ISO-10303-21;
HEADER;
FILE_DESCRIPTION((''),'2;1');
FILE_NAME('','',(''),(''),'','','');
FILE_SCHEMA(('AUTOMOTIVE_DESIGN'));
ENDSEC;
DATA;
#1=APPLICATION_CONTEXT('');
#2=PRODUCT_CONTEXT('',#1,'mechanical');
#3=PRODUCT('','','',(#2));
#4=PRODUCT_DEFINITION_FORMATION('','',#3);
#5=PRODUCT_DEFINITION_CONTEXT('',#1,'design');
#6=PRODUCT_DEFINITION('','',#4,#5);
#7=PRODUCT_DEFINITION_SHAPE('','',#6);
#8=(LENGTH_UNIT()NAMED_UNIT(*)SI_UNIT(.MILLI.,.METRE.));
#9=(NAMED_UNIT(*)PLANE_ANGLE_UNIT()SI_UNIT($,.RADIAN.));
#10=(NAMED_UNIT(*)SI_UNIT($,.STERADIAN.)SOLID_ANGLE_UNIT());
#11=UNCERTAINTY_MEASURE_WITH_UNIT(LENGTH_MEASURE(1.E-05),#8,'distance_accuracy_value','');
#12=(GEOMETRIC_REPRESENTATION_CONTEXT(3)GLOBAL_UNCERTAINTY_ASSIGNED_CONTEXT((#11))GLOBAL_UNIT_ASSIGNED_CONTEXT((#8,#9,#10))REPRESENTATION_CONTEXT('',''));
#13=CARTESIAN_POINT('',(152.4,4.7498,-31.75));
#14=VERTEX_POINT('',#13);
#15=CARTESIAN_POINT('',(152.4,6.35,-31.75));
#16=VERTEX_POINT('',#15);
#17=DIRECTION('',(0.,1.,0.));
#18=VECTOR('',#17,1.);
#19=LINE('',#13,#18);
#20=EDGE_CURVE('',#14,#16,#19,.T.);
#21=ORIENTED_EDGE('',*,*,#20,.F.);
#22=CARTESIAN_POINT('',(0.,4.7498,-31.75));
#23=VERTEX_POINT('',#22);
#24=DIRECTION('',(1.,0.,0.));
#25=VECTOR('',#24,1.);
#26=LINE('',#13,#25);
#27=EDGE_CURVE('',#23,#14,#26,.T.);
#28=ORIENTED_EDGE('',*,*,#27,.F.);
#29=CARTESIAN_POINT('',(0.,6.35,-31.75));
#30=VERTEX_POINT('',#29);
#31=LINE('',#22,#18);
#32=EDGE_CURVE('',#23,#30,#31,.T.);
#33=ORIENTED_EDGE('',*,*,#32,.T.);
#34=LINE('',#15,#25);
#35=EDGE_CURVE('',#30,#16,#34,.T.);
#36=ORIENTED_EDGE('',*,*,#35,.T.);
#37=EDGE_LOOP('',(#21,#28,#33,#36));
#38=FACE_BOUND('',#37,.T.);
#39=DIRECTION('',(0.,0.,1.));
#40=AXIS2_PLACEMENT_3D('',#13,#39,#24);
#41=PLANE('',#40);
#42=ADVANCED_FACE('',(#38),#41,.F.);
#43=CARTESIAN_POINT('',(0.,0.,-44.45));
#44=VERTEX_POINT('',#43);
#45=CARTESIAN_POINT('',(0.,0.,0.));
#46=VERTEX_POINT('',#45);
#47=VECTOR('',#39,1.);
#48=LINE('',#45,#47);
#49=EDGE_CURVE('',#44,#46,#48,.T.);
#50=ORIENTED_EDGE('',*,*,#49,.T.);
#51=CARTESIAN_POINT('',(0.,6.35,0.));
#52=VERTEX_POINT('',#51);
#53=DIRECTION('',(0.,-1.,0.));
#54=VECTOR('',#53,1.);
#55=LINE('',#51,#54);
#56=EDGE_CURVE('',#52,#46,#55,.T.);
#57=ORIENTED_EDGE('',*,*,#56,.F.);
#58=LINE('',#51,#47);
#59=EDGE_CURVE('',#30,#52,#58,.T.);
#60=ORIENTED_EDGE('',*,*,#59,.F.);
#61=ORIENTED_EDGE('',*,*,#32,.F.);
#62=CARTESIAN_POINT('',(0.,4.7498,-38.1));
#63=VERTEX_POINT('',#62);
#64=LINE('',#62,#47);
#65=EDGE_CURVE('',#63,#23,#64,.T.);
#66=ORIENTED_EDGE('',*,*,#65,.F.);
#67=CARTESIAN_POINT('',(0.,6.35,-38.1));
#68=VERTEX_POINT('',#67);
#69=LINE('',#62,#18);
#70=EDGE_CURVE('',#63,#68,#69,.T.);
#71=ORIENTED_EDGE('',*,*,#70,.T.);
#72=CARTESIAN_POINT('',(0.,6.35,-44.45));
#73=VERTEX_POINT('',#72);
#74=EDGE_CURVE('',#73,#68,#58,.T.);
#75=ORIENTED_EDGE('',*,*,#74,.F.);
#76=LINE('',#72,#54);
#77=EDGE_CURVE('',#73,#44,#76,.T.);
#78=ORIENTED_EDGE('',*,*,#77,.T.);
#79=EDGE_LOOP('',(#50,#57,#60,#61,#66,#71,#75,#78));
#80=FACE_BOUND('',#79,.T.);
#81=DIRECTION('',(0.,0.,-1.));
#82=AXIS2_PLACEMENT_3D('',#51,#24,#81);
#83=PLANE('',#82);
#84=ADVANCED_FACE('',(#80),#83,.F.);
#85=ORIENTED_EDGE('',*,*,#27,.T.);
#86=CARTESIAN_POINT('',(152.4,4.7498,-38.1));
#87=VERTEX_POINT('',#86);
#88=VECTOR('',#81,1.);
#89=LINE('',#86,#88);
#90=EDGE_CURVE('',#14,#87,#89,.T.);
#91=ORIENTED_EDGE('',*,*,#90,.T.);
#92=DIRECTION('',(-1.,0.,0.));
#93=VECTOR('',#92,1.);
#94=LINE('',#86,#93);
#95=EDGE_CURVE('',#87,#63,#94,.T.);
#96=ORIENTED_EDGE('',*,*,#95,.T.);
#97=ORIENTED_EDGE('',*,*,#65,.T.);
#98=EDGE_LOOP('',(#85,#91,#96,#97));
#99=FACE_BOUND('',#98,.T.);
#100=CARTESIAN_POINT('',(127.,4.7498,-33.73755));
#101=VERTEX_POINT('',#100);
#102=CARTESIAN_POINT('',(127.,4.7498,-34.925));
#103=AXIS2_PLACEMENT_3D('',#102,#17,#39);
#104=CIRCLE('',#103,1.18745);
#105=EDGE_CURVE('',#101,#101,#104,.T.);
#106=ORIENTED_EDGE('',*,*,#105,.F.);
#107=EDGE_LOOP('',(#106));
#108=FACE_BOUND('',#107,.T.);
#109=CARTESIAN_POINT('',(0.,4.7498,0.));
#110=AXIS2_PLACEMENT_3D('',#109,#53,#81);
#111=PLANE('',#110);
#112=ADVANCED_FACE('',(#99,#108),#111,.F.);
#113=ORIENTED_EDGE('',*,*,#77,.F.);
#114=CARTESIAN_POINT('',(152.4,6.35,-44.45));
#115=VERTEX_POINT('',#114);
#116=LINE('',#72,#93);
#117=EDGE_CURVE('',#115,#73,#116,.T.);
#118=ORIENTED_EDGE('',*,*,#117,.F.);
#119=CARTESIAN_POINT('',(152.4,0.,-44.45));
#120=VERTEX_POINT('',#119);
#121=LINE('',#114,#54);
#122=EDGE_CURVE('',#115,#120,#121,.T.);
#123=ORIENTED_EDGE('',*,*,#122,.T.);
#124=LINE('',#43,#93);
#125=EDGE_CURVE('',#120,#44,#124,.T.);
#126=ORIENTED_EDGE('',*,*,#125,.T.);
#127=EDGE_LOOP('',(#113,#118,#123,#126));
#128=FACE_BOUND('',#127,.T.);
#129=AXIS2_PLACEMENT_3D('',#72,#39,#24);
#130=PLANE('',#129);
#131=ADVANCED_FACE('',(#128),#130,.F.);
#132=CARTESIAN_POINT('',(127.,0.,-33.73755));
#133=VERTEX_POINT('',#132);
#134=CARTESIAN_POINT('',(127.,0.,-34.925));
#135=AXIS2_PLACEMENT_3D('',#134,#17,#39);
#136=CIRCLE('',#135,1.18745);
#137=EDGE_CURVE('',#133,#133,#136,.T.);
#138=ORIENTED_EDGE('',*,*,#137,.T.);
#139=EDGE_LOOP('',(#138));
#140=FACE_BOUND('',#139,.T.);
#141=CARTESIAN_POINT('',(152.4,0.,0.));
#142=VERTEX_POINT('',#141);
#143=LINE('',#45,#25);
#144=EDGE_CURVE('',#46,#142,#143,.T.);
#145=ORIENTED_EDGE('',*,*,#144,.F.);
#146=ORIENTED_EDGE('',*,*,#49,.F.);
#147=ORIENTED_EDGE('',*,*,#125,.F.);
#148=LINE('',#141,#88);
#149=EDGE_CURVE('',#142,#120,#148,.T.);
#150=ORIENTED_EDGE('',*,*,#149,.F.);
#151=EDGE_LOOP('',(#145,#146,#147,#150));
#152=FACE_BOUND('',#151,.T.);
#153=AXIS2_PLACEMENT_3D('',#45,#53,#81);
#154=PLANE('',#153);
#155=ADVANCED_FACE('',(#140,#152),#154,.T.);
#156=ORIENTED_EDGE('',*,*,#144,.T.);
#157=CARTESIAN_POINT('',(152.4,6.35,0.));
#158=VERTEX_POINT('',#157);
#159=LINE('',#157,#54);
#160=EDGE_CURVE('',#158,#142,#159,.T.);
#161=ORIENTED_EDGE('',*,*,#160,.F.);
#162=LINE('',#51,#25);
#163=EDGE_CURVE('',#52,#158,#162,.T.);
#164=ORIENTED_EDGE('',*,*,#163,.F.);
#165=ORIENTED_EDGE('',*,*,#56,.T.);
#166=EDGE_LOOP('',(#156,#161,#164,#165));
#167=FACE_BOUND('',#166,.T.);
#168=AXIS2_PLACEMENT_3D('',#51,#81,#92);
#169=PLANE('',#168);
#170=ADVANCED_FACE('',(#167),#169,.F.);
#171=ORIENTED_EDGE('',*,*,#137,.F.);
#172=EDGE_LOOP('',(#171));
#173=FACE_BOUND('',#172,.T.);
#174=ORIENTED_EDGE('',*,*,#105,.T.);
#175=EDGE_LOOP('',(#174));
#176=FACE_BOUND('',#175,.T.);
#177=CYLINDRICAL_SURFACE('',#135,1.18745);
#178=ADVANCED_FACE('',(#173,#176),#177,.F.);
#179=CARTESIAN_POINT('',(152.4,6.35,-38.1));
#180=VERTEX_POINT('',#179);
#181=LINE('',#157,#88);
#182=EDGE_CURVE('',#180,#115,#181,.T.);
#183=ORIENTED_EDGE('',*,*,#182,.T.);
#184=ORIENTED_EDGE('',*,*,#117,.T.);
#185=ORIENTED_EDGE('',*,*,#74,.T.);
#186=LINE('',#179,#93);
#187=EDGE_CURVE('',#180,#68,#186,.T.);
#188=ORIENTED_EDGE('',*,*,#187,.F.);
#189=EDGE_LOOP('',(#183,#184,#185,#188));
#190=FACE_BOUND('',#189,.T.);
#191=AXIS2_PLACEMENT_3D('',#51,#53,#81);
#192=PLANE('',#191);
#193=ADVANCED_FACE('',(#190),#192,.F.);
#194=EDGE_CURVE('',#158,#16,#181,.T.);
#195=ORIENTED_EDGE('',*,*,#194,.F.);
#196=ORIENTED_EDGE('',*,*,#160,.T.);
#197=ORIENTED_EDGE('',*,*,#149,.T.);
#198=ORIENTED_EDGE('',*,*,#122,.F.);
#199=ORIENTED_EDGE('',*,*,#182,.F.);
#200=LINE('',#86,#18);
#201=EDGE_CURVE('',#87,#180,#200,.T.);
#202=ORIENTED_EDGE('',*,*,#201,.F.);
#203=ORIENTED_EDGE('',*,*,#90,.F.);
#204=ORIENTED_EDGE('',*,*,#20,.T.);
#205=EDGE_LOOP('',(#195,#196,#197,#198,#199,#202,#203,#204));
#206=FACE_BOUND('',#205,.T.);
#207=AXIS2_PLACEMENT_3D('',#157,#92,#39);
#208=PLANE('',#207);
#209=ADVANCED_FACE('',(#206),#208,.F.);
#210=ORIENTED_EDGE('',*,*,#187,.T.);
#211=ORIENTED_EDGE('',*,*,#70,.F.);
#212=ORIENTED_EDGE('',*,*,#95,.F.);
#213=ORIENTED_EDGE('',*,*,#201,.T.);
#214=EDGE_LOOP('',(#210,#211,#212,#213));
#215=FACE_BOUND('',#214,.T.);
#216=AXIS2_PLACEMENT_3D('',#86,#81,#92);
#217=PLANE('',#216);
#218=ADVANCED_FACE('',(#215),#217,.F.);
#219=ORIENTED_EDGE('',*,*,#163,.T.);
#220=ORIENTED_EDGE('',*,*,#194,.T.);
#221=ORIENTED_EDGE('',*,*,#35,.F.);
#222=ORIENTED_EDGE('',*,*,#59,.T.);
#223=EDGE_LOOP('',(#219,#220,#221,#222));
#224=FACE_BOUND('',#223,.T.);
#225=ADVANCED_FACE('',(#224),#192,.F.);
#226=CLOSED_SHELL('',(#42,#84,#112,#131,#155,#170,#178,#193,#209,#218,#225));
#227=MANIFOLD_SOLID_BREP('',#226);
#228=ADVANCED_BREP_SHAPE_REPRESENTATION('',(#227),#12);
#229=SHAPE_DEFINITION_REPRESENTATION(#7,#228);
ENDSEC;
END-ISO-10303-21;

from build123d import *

# Parameters (mm, degrees)
SKETCH1_W           = 152.4
SKETCH1_H           = 44.45
BOSS_EXTRUDE2_DEPTH = 6.35
SKETCH2_W           = 146.05
SKETCH2_H           = 6.35
CUT_EXTRUDE1_DEPTH  = 1.6002
SKETCH3_R           = 1.18745
CUT_EXTRUDE2_DEPTH  = 5.7498
SKETCH4_W           = 6.35
SKETCH4_H           = 6.35
CUT_EXTRUDE4_DEPTH  = 1.6002


with BuildPart() as part:
    # Sketch1 → Boss-Extrude2 (new body)
    with BuildSketch(Plane(origin=(0, 0, 0), x_dir=(1, 0, 0), z_dir=(0, 1, 0))):
        with Locations((76.2, 22.225)):
            Rectangle(SKETCH1_W, SKETCH1_H)
    extrude(amount=BOSS_EXTRUDE2_DEPTH)

    # Sketch2 → Cut-Extrude1 (cut)
    with BuildSketch(Plane(origin=(0, 6.35, 0), x_dir=(1, 0, 0), z_dir=(0, 1, 0))):
        with Locations((79.375, 34.925)):
            Rectangle(SKETCH2_W, SKETCH2_H)
    extrude(amount=-CUT_EXTRUDE1_DEPTH, mode=Mode.SUBTRACT)

    # Sketch3 → Cut-Extrude2 (cut, through all)
    with BuildSketch(Plane(origin=(0, 4.7498, 0), x_dir=(1, 0, 0), z_dir=(0, 1, 0))):
        with Locations((127, 34.925)):
            Circle(SKETCH3_R)
    extrude(amount=-CUT_EXTRUDE2_DEPTH, mode=Mode.SUBTRACT)

    # Sketch4 → Cut-Extrude4 (cut)
    with BuildSketch(Plane(origin=(0, 6.35, 0), x_dir=(1, 0, 0), z_dir=(0, 1, 0))):
        with Locations((3.175, 34.925)):
            Rectangle(SKETCH4_W, SKETCH4_H)
    extrude(amount=-CUT_EXTRUDE4_DEPTH, mode=Mode.SUBTRACT)


solid = part.part
